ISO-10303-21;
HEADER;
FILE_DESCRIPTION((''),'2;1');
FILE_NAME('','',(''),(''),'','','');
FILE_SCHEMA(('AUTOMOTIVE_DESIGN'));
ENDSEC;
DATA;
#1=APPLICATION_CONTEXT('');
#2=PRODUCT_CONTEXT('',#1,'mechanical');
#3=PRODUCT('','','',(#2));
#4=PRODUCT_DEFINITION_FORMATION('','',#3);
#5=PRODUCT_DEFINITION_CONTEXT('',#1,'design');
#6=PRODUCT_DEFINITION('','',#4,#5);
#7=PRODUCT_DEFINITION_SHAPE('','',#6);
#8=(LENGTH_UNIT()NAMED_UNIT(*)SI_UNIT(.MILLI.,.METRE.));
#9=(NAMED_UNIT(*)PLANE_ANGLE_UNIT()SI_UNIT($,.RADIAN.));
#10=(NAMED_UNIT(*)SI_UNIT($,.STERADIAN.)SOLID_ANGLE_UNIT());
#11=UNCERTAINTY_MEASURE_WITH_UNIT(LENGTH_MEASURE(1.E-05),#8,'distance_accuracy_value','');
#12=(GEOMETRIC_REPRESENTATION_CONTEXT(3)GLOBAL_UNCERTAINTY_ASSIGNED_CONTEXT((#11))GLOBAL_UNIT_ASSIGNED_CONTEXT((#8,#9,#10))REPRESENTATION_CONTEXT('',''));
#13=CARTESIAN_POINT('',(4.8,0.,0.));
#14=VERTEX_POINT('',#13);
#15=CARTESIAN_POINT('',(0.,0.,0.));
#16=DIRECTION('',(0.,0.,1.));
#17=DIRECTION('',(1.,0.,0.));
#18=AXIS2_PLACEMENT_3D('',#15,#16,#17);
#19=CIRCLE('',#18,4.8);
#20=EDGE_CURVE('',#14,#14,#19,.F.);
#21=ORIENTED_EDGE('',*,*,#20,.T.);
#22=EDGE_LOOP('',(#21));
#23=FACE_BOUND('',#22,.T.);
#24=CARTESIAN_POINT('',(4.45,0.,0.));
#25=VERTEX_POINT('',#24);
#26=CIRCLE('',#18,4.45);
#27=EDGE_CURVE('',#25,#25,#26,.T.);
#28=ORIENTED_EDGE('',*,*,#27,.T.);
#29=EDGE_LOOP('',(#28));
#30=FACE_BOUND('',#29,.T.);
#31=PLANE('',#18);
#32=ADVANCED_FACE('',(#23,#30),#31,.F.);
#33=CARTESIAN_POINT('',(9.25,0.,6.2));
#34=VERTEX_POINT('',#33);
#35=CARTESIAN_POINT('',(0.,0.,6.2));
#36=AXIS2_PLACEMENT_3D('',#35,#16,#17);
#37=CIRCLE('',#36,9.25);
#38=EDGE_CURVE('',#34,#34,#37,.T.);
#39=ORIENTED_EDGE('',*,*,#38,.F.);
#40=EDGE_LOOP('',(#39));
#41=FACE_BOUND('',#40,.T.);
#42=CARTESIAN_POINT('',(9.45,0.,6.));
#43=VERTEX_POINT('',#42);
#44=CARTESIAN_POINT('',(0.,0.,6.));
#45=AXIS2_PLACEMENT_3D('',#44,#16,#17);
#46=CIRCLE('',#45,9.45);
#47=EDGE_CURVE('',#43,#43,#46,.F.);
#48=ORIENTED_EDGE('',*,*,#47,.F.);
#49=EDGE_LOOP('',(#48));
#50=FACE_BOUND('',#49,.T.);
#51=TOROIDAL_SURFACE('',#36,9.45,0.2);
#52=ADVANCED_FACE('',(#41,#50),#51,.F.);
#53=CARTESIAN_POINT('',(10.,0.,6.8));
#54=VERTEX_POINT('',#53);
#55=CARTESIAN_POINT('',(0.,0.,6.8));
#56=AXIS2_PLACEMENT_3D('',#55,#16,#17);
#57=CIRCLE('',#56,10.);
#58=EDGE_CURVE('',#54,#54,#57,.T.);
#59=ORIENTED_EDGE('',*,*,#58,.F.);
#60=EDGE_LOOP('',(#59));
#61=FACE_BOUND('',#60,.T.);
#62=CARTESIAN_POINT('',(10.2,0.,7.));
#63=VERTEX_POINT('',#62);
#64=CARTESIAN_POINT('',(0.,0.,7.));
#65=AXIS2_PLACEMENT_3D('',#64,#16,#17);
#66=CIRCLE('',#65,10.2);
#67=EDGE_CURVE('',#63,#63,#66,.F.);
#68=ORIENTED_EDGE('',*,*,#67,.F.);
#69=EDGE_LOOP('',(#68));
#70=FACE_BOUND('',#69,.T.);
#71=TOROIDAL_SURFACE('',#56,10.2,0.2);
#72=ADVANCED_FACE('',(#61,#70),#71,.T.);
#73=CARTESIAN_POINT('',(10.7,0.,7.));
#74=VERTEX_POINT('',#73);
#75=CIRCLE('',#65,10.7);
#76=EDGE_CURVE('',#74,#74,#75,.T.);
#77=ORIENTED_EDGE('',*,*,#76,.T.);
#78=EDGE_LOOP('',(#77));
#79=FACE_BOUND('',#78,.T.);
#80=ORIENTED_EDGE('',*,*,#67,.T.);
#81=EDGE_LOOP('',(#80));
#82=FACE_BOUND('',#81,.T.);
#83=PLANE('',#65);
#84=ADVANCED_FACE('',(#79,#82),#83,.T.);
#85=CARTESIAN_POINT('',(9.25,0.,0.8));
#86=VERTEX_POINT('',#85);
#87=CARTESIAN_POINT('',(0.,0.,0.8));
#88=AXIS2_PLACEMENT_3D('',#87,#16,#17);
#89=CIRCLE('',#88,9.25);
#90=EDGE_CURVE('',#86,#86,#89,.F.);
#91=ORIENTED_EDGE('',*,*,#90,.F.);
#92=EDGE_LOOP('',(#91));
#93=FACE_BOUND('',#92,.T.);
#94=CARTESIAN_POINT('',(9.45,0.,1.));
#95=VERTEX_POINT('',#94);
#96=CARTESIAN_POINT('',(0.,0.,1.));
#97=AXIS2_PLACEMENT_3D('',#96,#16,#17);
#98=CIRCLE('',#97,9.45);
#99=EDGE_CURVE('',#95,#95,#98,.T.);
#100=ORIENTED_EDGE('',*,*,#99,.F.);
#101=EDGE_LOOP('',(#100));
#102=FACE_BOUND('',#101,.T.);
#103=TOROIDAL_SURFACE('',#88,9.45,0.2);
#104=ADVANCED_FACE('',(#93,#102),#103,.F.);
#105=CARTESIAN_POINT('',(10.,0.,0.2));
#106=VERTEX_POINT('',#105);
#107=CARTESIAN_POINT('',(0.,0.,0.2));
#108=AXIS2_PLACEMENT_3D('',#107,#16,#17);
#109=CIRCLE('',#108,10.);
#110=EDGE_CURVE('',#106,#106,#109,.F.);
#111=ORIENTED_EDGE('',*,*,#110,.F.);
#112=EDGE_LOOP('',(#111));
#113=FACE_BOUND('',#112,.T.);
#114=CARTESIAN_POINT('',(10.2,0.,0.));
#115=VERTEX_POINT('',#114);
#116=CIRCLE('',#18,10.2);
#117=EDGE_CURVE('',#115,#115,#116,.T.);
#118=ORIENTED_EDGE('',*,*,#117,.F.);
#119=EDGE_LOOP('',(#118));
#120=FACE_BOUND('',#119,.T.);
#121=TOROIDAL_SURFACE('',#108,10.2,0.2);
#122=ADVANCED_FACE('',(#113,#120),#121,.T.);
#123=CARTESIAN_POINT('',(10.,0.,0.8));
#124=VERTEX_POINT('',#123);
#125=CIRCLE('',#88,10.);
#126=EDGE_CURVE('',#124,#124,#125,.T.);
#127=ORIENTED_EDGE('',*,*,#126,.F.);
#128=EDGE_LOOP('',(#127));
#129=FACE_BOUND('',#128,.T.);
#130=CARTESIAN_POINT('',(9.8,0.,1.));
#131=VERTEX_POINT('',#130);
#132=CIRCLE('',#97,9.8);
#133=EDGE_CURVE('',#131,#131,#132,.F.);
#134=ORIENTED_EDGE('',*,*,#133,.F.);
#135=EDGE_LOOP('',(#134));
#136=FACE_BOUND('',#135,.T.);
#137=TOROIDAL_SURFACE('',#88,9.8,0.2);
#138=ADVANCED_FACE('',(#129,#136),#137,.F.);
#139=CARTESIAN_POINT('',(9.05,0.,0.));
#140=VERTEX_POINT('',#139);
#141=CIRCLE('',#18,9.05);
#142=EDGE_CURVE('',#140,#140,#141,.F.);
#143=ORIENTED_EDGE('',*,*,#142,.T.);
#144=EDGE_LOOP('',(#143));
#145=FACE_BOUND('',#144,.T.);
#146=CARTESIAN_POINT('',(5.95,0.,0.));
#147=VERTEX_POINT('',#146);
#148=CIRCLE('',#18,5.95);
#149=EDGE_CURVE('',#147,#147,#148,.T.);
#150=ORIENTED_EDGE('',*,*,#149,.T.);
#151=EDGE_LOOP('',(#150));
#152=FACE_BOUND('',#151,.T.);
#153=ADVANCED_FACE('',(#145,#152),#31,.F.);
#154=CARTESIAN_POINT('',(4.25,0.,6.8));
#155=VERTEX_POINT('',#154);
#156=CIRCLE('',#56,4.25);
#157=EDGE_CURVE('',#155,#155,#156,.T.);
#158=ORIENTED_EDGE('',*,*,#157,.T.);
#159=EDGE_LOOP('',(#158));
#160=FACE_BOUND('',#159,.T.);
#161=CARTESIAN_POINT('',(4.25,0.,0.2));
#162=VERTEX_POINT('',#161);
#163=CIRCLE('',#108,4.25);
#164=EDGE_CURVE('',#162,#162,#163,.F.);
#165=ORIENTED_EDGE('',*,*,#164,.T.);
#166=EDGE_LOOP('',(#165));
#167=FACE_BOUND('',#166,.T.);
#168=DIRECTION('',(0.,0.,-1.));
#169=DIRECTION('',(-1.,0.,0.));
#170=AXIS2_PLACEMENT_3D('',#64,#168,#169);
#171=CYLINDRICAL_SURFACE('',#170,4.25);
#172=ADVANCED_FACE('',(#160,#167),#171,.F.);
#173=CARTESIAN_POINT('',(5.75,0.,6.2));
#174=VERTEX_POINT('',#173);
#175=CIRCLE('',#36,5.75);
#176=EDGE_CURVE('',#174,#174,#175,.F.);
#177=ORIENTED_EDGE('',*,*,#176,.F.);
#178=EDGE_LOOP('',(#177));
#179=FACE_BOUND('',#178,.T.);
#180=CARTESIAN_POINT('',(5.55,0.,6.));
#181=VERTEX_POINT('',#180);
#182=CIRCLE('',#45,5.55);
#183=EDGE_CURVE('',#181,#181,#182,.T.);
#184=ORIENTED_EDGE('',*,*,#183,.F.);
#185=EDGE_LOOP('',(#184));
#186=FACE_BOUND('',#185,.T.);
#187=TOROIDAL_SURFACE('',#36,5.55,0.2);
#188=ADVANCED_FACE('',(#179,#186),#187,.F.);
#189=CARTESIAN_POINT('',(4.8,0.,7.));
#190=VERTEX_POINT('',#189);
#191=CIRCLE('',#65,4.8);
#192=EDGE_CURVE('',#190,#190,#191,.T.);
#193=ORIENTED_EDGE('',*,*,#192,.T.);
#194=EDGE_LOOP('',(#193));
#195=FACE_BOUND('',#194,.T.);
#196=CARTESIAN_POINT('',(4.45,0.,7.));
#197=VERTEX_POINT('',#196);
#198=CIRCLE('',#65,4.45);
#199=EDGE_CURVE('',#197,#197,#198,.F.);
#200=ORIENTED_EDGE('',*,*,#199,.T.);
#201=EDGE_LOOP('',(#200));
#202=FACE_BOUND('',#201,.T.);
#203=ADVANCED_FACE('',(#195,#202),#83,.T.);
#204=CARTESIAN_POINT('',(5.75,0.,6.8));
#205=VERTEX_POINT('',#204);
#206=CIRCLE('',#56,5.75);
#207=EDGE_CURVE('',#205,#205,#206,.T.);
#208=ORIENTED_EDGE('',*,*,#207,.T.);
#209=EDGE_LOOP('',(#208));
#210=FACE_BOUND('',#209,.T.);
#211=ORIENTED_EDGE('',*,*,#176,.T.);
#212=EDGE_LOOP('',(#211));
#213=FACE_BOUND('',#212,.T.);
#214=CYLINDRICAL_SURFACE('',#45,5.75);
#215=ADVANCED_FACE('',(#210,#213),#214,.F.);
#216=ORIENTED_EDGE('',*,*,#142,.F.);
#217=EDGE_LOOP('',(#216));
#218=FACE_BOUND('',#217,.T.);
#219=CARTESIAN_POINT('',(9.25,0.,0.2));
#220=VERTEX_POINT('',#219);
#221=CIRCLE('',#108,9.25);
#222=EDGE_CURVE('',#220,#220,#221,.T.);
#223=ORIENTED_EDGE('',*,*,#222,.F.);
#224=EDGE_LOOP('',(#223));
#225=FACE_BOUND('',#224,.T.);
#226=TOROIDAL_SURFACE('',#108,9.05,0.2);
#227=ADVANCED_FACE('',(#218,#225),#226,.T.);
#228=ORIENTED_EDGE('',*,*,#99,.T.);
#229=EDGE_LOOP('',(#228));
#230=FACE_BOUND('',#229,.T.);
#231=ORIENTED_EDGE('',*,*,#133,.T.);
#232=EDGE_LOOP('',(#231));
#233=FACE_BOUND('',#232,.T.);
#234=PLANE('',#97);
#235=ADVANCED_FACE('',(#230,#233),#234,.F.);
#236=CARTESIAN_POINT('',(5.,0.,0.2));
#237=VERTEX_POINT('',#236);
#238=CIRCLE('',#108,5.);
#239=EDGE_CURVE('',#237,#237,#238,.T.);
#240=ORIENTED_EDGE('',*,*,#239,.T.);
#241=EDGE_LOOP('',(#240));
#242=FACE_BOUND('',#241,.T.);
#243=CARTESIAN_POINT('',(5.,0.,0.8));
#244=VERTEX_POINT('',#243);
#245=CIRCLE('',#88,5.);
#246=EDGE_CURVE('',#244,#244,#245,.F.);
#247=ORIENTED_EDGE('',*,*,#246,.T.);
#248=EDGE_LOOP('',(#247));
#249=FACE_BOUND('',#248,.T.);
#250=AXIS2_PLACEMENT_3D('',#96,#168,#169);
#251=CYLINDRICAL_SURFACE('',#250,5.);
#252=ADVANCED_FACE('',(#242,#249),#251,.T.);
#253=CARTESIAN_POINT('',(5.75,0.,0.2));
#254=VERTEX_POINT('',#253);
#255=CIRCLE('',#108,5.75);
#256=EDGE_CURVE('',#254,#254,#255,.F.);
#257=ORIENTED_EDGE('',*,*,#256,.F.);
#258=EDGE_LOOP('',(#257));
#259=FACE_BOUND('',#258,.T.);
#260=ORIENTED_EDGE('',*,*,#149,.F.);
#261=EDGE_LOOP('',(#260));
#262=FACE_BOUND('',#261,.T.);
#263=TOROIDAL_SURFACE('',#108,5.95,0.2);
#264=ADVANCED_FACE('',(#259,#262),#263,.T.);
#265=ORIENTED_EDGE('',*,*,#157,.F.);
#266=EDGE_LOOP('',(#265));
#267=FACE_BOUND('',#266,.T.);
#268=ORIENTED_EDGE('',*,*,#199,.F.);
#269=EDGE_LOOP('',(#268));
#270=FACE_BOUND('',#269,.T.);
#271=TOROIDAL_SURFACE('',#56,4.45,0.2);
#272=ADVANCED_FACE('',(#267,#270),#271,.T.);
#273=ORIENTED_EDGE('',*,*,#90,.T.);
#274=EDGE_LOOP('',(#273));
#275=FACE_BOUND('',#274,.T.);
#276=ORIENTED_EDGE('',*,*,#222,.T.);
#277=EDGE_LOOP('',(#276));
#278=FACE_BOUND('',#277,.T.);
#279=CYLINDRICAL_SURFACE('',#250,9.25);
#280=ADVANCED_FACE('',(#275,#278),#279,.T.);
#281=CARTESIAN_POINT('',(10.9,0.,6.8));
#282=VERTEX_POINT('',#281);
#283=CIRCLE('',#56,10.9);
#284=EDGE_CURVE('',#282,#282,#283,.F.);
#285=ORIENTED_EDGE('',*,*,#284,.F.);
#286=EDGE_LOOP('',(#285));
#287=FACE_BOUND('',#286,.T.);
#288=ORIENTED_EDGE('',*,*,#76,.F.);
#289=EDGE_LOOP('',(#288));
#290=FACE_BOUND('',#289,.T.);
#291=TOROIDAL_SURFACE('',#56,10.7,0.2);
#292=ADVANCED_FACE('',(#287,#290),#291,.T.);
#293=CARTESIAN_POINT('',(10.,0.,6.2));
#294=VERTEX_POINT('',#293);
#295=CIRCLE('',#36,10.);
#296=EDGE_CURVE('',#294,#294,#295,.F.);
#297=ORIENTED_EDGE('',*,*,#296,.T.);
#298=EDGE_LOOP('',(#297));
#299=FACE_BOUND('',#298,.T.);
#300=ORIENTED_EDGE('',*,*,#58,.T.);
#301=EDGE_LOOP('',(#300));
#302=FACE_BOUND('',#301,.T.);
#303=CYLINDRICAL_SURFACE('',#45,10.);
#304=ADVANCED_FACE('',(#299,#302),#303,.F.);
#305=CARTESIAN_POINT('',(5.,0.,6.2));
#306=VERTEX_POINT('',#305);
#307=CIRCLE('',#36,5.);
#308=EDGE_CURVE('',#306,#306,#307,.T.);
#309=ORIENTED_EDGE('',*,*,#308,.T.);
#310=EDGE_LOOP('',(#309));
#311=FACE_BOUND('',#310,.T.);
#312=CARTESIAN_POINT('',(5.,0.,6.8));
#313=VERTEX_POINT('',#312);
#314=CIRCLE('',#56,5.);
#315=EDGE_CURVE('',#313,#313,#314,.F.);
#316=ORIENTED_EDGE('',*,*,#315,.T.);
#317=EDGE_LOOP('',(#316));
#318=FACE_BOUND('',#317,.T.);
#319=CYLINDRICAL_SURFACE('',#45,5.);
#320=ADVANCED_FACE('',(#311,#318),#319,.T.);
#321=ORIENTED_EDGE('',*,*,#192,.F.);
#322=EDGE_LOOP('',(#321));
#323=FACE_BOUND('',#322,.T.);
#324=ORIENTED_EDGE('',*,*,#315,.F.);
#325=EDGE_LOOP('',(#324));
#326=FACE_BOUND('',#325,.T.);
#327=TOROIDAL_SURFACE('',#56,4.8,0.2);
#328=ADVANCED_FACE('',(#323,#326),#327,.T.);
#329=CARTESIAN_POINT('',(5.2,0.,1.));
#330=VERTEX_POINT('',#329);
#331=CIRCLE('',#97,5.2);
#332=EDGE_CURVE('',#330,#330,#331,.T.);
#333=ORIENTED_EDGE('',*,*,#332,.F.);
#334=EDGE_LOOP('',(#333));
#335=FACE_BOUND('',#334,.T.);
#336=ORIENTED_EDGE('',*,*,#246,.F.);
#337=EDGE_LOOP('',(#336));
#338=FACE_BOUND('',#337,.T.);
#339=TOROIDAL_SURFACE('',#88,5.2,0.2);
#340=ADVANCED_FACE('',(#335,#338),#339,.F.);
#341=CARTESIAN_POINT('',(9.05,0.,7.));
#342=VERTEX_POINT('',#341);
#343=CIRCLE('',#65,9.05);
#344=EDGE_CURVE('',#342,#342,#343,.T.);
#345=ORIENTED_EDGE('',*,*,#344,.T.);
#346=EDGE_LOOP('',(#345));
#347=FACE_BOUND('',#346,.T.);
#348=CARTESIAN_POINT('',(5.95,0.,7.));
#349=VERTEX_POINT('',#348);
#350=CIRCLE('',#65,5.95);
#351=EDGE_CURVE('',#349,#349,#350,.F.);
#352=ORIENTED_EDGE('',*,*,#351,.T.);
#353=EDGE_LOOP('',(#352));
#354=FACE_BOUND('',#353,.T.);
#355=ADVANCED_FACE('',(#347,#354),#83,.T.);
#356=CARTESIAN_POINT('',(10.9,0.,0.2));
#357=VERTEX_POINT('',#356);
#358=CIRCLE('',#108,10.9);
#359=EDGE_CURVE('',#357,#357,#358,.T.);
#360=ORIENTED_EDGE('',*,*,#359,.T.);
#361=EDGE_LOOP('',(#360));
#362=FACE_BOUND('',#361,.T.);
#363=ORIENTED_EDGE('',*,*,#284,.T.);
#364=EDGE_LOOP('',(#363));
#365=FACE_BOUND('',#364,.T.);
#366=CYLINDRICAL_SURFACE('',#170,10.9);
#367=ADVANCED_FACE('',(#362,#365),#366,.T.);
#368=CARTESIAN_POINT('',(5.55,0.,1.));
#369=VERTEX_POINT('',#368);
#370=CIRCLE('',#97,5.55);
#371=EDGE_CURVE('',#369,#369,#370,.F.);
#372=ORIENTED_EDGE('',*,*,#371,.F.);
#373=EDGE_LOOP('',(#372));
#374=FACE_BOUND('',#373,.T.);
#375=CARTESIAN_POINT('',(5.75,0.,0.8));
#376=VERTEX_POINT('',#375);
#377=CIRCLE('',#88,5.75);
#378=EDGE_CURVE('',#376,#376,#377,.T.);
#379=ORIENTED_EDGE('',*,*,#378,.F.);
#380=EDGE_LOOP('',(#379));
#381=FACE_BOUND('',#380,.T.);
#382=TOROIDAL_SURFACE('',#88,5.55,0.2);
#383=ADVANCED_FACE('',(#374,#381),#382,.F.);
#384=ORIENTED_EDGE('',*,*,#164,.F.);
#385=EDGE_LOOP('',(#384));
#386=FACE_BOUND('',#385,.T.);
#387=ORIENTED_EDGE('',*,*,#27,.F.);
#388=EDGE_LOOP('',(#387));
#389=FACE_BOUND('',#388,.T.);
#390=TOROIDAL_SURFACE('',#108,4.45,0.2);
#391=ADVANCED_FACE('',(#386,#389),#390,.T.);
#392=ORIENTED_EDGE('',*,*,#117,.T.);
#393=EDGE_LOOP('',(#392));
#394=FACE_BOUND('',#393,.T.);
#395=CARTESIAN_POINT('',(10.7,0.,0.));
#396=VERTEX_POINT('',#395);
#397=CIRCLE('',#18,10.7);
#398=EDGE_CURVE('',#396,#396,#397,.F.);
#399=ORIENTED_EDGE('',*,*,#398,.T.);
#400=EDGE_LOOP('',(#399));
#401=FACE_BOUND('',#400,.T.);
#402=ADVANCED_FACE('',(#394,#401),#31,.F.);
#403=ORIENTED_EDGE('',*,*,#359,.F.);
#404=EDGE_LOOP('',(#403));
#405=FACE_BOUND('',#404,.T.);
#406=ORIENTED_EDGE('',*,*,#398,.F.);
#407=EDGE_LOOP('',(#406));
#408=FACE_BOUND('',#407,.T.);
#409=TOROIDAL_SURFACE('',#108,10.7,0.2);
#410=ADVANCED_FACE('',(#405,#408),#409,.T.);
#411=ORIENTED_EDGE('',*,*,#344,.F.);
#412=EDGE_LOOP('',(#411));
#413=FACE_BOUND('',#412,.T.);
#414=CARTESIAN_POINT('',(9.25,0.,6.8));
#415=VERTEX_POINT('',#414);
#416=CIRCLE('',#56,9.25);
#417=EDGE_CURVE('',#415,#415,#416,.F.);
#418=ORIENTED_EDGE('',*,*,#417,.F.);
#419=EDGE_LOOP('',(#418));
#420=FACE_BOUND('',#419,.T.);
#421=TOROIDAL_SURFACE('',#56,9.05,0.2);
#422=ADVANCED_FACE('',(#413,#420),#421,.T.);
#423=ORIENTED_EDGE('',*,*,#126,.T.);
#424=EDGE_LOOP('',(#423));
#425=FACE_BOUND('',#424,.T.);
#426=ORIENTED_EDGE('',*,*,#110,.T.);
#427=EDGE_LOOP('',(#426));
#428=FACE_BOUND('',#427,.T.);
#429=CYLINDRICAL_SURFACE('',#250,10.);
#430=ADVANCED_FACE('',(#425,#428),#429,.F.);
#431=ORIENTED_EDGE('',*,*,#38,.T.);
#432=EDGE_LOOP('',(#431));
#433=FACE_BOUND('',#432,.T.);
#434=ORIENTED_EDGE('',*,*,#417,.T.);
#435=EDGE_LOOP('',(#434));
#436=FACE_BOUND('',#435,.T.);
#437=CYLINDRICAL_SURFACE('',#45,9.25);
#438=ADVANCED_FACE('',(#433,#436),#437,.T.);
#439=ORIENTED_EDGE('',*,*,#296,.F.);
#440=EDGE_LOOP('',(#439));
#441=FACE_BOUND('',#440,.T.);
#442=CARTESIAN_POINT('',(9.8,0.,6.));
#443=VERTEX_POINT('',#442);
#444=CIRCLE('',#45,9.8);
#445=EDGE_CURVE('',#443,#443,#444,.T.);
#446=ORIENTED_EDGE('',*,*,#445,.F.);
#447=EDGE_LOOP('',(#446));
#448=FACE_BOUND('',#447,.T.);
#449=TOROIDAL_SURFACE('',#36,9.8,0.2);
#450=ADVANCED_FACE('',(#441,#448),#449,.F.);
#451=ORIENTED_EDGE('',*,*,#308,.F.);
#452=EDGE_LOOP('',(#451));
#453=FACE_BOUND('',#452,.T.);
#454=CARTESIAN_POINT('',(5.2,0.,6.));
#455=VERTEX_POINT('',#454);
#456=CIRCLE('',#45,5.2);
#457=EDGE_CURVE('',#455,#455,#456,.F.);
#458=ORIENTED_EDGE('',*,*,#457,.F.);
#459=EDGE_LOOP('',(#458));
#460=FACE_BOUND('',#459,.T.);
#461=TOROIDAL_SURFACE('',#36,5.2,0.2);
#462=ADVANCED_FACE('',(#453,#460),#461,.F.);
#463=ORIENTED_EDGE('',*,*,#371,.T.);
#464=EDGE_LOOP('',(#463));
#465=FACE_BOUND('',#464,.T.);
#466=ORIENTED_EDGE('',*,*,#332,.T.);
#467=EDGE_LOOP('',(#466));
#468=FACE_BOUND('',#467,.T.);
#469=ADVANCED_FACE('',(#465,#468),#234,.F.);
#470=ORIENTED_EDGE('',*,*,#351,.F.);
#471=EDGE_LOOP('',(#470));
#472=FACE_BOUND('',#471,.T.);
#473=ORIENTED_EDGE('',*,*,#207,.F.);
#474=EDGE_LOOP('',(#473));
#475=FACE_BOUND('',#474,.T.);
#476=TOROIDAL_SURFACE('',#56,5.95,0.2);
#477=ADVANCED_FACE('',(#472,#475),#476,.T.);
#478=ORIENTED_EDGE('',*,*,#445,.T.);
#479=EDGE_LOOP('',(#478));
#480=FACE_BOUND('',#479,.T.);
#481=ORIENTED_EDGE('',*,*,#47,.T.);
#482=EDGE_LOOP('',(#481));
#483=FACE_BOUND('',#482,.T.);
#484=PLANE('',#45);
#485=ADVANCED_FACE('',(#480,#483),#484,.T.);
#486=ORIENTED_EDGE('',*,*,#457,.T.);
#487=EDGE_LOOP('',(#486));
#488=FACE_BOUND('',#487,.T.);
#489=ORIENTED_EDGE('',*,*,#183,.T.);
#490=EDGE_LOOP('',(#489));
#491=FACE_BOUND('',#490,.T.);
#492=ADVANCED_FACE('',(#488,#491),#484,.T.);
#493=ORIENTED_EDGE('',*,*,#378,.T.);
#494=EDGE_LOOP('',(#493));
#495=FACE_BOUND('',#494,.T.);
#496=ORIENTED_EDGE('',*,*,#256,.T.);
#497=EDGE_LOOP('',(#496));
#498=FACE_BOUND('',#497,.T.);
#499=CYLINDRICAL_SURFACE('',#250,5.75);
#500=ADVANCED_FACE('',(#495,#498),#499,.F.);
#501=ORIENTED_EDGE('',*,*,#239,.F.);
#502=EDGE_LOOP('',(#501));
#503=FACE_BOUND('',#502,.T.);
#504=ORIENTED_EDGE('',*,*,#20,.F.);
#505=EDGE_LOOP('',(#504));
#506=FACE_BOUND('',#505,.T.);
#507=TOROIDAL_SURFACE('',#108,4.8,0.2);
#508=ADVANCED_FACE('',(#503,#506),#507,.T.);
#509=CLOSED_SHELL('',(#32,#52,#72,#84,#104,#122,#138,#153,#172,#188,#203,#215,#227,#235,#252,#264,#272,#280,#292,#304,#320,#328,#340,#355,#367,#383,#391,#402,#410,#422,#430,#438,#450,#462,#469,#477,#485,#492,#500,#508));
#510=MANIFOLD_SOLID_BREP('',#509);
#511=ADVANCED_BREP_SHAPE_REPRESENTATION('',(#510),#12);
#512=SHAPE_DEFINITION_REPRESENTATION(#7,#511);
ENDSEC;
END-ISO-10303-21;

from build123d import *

# Parameters (mm, degrees)
SKETCH1_R           = 10.9
BOSS_EXTRUDE1_DEPTH = 7
SKETCH2_R           = 4.25
CUT_EXTRUDE1_DEPTH  = 7
SKETCH3_R           = 10
SKETCH3_R_2         = 9.25
SKETCH3_R_3         = 5.75
SKETCH3_R_4         = 5
CUT_EXTRUDE2_DEPTH  = 1
CUT_EXTRUDE3_START  = 6
SKETCH4_R           = 10
SKETCH4_R_2         = 9.25
SKETCH4_R_3         = 5.75
SKETCH4_R_4         = 5
CUT_EXTRUDE3_DEPTH  = 1
FILLET1_R           = 0.2


with BuildPart() as part:
    # Sketch1 → Boss-Extrude1 (new body)
    with BuildSketch(Plane.XY):
        Circle(SKETCH1_R)
    extrude(amount=BOSS_EXTRUDE1_DEPTH)

    # Sketch2 → Cut-Extrude1 (cut)
    with BuildSketch(Plane.XY):
        Circle(SKETCH2_R)
    extrude(amount=CUT_EXTRUDE1_DEPTH, mode=Mode.SUBTRACT)

    # Sketch3 → Cut-Extrude2 (cut)
    # profile 1 of 2: a face of its own
    with BuildSketch(Plane.XY):
        Circle(SKETCH3_R)
        Circle(SKETCH3_R_2, mode=Mode.SUBTRACT)
    # profile 2 of 2: a face of its own
    with BuildSketch(Plane.XY):
        Circle(SKETCH3_R_3)
        Circle(SKETCH3_R_4, mode=Mode.SUBTRACT)
    extrude(amount=CUT_EXTRUDE2_DEPTH, mode=Mode.SUBTRACT)

    # Sketch4 → Cut-Extrude3 (cut)
    # profile 1 of 2: a face of its own
    with BuildSketch(Plane.XY.offset(CUT_EXTRUDE3_START)):
        Circle(SKETCH4_R)
        Circle(SKETCH4_R_2, mode=Mode.SUBTRACT)
    # profile 2 of 2: a face of its own
    with BuildSketch(Plane.XY.offset(CUT_EXTRUDE3_START)):
        Circle(SKETCH4_R_3)
        Circle(SKETCH4_R_4, mode=Mode.SUBTRACT)
    extrude(amount=CUT_EXTRUDE3_DEPTH, mode=Mode.SUBTRACT)

    # Fillet1
    fillet1_edges = [part.edges().sort_by_distance(p)[0] for p in [
        (-9.25, 0, 1),
        (-10, 0, 0),
        (-10, 0, 1),
        (-9.25, 0, 0),
        (-5, 0, 1),
        (-5.75, 0, 0),
        (-5.75, 0, 1),
        (-5, 0, 0),
        (-10.9, 0, 0),
        (-5.75, 0, 6),
        (-5, 0, 6),
        (-5.75, 0, 7),
        (-5, 0, 7),
        (-10, 0, 6),
        (-9.25, 0, 6),
        (-10, 0, 7),
        (-9.25, 0, 7),
        (-10.9, 0, 7),
        (-4.25, 0, 0),
        (-4.25, 0, 7),
    ]]
    fillet(fillet1_edges, radius=FILLET1_R)


solid = part.part
